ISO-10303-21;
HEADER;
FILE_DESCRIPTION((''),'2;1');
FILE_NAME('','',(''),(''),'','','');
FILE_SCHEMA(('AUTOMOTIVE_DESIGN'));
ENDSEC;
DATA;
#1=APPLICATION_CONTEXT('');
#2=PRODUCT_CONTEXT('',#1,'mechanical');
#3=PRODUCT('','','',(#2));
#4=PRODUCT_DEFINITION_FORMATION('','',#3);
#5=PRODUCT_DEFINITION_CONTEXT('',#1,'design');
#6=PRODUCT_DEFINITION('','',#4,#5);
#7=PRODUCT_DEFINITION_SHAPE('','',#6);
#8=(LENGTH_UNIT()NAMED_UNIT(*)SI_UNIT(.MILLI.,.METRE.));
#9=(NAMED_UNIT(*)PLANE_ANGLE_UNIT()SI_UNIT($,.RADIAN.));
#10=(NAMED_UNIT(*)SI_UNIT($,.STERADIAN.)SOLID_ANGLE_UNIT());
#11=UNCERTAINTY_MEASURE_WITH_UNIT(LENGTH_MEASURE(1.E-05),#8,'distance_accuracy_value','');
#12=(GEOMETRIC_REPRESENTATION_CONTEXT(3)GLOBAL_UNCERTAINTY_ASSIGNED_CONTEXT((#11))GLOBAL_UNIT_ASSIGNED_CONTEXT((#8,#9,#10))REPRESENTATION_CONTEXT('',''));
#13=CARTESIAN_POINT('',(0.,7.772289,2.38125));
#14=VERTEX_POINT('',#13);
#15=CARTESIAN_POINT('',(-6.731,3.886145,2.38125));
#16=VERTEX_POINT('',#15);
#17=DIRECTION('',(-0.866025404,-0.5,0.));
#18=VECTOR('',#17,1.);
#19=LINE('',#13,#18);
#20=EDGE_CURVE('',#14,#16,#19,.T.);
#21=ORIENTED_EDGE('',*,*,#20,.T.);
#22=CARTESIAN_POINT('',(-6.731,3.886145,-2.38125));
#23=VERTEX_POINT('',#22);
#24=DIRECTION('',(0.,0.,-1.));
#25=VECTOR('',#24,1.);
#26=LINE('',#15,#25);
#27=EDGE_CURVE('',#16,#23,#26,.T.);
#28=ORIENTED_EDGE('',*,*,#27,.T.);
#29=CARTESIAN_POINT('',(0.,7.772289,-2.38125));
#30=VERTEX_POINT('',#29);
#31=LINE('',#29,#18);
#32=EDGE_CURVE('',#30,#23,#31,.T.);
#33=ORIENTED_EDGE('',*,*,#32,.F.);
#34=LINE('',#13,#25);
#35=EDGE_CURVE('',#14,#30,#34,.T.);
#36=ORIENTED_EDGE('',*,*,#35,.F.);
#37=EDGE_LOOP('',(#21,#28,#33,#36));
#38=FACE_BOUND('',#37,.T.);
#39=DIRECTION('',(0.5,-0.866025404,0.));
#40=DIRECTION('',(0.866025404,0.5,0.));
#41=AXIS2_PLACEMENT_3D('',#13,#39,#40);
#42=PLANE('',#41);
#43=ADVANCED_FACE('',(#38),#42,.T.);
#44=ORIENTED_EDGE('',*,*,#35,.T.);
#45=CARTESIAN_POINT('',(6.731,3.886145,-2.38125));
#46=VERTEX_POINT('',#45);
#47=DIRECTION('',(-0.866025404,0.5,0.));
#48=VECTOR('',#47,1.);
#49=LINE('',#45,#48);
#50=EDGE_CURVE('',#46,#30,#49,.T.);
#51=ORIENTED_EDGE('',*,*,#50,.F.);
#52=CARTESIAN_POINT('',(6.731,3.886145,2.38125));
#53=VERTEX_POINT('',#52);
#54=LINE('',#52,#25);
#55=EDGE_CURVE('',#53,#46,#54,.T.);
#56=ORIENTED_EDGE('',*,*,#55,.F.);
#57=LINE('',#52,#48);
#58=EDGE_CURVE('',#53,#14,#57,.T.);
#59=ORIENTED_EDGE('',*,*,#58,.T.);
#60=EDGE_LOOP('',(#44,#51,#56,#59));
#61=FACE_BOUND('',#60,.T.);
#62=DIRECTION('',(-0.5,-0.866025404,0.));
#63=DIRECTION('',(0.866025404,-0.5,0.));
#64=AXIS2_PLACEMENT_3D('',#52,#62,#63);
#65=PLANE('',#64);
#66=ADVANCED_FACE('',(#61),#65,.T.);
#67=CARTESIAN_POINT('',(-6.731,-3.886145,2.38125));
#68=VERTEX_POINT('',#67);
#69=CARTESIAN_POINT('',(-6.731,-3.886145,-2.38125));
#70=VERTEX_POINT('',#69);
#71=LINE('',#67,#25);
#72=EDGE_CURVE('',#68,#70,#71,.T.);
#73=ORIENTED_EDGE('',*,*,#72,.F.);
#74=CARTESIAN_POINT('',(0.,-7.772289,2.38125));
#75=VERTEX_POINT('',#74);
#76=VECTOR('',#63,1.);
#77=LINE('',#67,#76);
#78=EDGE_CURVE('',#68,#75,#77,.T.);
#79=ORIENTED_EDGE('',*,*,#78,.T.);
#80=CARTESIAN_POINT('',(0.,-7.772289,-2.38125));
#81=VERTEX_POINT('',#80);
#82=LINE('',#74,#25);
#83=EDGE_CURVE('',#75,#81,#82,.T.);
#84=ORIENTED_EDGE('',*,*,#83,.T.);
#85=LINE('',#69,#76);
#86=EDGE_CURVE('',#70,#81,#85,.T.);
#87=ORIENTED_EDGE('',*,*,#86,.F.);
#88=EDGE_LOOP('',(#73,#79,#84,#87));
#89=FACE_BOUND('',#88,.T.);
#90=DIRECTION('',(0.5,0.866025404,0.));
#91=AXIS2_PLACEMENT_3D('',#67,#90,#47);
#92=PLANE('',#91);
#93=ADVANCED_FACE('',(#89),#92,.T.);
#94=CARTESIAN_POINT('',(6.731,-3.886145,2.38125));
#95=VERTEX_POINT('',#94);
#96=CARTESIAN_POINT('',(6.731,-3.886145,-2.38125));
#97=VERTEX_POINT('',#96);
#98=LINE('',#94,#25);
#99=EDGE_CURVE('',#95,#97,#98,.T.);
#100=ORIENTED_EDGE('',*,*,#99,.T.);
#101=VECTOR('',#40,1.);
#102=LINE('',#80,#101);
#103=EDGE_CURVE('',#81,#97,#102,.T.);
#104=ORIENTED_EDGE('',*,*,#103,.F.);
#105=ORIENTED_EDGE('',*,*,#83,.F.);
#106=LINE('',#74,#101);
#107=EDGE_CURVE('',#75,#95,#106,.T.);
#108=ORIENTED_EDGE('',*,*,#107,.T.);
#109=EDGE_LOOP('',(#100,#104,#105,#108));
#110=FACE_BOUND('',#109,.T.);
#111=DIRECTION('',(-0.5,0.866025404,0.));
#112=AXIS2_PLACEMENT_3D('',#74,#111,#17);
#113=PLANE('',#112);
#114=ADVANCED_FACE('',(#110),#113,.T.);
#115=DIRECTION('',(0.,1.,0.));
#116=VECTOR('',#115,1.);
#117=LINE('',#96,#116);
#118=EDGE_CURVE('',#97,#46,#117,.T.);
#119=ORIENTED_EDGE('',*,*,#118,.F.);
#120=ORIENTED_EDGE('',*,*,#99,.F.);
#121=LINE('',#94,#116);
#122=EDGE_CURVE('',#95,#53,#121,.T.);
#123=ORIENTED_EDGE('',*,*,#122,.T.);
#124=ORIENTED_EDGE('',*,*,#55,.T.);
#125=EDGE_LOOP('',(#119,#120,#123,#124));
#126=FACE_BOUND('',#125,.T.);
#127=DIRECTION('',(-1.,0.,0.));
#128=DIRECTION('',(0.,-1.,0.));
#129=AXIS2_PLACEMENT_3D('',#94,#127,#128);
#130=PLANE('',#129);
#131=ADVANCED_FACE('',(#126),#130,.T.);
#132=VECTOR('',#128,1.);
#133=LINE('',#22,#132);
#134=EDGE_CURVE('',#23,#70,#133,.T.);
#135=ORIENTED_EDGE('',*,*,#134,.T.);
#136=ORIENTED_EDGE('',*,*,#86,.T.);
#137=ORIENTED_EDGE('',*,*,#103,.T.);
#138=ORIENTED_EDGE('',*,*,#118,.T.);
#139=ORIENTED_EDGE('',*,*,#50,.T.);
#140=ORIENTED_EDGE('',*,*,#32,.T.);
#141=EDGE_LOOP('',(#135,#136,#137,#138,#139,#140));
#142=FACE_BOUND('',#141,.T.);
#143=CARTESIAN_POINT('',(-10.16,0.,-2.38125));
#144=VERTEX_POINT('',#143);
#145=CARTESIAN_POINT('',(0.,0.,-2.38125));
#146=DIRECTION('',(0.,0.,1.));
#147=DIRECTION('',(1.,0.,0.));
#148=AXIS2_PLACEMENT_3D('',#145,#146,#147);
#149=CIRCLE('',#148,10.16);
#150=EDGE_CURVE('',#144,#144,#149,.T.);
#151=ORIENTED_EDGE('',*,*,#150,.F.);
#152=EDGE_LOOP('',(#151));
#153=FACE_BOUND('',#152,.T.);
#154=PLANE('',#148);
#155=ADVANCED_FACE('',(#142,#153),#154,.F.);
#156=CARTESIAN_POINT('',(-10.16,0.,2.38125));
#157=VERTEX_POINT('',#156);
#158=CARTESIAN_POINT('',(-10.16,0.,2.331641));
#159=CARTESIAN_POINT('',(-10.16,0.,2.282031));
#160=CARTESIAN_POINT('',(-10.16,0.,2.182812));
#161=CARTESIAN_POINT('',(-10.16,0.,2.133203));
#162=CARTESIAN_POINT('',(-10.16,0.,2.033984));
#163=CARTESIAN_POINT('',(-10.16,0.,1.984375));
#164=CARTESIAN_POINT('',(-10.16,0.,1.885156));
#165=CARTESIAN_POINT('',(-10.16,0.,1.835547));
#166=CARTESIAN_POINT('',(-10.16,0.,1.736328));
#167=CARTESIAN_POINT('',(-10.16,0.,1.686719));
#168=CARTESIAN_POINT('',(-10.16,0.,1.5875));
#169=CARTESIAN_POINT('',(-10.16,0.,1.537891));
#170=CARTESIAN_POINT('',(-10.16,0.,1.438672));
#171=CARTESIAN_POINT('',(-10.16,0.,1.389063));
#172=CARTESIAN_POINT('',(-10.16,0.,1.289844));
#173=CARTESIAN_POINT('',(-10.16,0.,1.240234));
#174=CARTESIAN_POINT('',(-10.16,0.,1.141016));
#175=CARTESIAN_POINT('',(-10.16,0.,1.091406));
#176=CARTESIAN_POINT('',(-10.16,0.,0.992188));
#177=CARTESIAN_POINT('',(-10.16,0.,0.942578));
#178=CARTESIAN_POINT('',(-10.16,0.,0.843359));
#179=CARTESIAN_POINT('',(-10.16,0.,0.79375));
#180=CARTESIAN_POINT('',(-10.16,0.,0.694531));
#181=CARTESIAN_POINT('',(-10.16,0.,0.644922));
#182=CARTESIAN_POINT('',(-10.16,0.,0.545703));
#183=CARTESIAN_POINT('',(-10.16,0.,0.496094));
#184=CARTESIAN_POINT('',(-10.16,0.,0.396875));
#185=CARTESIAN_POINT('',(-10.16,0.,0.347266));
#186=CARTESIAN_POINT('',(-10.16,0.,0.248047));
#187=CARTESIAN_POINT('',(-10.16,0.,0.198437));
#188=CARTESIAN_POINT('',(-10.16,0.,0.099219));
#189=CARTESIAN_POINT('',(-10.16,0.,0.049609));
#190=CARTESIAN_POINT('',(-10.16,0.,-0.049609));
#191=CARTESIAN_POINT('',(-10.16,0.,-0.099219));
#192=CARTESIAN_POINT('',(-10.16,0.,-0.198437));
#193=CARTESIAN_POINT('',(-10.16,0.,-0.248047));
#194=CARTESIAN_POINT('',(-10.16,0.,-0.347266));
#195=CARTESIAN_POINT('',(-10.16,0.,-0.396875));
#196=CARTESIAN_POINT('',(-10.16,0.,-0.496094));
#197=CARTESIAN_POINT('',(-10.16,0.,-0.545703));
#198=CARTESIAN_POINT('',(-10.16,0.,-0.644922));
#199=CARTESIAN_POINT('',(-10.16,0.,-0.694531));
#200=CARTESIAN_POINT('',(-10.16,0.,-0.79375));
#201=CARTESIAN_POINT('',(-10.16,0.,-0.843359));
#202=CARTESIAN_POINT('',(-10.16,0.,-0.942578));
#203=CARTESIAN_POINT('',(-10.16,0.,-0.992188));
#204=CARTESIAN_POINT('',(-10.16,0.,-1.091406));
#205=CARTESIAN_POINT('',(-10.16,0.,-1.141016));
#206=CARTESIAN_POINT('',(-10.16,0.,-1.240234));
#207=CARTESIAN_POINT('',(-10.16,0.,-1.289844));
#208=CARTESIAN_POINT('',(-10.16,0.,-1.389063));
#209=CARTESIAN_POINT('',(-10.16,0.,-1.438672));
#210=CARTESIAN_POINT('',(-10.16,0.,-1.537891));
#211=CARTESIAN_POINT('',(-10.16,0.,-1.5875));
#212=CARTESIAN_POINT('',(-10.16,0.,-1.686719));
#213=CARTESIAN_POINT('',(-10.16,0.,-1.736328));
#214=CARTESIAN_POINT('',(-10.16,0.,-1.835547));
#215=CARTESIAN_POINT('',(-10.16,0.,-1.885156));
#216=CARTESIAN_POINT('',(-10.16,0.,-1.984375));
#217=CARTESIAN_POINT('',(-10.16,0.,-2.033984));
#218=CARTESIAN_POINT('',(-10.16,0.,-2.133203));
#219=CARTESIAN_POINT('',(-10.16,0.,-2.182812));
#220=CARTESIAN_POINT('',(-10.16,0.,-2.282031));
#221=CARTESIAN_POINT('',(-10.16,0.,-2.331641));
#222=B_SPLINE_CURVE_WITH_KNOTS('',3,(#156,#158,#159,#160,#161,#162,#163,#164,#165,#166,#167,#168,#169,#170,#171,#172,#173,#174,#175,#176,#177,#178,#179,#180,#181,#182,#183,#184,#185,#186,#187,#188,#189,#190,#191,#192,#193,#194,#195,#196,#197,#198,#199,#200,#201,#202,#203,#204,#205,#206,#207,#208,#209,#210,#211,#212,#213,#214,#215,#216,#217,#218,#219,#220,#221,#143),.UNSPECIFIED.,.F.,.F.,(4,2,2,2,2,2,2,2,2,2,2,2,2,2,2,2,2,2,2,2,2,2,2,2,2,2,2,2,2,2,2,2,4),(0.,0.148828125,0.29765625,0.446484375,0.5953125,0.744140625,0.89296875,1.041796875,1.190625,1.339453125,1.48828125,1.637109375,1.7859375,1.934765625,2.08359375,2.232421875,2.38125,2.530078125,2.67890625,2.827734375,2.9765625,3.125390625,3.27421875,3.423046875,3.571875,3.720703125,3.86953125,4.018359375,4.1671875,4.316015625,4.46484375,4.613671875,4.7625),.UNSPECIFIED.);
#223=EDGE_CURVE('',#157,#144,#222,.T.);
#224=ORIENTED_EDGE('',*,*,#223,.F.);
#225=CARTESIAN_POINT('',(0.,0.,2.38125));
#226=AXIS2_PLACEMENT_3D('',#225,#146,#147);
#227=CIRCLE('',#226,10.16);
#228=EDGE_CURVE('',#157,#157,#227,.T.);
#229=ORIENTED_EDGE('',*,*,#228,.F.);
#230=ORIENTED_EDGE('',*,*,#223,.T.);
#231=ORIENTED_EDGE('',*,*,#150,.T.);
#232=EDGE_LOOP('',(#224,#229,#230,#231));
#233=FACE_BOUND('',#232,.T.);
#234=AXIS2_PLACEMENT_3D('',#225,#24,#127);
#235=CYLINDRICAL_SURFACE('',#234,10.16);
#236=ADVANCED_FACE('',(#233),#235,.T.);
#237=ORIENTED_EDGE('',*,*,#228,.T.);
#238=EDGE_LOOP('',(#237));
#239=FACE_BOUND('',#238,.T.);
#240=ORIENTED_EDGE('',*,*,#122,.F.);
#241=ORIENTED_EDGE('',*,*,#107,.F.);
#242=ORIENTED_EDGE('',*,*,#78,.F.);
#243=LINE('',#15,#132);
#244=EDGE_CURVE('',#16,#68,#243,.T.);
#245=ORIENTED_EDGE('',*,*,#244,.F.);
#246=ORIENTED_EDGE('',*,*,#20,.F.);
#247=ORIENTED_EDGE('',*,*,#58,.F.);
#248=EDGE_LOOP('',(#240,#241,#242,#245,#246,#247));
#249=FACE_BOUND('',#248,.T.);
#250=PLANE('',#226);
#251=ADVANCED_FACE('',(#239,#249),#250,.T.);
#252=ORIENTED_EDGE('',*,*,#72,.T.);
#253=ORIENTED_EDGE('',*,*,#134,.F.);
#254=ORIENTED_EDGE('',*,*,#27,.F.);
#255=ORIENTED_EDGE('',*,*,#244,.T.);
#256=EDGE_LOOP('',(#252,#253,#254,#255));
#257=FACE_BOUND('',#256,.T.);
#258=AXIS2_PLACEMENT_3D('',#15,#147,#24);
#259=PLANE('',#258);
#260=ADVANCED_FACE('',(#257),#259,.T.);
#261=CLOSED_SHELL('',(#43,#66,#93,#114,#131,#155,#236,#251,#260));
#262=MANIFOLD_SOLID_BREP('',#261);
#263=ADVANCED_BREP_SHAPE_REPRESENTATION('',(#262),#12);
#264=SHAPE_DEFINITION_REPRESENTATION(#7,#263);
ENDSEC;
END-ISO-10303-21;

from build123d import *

# Parameters (mm, degrees)
SKETCH1_R           = 10.16
BOSS_EXTRUDE1_DEPTH = 2.38125


with BuildPart() as part:
    # Sketch1 → Boss-Extrude1 (new, symmetric)
    with BuildSketch(Plane.XY):
        with Locations(Location((0, 0, 0), (0, 0, 180))):
            Circle(SKETCH1_R)
        Polygon((0, 7.772289324), (-6.731, 3.886144662), (-6.731, -3.886144662), (0, -7.772289324), (6.731, -3.886144662), (6.731, 3.886144662), align=None, mode=Mode.SUBTRACT)
    extrude(amount=BOSS_EXTRUDE1_DEPTH, both=True)


solid = part.part
